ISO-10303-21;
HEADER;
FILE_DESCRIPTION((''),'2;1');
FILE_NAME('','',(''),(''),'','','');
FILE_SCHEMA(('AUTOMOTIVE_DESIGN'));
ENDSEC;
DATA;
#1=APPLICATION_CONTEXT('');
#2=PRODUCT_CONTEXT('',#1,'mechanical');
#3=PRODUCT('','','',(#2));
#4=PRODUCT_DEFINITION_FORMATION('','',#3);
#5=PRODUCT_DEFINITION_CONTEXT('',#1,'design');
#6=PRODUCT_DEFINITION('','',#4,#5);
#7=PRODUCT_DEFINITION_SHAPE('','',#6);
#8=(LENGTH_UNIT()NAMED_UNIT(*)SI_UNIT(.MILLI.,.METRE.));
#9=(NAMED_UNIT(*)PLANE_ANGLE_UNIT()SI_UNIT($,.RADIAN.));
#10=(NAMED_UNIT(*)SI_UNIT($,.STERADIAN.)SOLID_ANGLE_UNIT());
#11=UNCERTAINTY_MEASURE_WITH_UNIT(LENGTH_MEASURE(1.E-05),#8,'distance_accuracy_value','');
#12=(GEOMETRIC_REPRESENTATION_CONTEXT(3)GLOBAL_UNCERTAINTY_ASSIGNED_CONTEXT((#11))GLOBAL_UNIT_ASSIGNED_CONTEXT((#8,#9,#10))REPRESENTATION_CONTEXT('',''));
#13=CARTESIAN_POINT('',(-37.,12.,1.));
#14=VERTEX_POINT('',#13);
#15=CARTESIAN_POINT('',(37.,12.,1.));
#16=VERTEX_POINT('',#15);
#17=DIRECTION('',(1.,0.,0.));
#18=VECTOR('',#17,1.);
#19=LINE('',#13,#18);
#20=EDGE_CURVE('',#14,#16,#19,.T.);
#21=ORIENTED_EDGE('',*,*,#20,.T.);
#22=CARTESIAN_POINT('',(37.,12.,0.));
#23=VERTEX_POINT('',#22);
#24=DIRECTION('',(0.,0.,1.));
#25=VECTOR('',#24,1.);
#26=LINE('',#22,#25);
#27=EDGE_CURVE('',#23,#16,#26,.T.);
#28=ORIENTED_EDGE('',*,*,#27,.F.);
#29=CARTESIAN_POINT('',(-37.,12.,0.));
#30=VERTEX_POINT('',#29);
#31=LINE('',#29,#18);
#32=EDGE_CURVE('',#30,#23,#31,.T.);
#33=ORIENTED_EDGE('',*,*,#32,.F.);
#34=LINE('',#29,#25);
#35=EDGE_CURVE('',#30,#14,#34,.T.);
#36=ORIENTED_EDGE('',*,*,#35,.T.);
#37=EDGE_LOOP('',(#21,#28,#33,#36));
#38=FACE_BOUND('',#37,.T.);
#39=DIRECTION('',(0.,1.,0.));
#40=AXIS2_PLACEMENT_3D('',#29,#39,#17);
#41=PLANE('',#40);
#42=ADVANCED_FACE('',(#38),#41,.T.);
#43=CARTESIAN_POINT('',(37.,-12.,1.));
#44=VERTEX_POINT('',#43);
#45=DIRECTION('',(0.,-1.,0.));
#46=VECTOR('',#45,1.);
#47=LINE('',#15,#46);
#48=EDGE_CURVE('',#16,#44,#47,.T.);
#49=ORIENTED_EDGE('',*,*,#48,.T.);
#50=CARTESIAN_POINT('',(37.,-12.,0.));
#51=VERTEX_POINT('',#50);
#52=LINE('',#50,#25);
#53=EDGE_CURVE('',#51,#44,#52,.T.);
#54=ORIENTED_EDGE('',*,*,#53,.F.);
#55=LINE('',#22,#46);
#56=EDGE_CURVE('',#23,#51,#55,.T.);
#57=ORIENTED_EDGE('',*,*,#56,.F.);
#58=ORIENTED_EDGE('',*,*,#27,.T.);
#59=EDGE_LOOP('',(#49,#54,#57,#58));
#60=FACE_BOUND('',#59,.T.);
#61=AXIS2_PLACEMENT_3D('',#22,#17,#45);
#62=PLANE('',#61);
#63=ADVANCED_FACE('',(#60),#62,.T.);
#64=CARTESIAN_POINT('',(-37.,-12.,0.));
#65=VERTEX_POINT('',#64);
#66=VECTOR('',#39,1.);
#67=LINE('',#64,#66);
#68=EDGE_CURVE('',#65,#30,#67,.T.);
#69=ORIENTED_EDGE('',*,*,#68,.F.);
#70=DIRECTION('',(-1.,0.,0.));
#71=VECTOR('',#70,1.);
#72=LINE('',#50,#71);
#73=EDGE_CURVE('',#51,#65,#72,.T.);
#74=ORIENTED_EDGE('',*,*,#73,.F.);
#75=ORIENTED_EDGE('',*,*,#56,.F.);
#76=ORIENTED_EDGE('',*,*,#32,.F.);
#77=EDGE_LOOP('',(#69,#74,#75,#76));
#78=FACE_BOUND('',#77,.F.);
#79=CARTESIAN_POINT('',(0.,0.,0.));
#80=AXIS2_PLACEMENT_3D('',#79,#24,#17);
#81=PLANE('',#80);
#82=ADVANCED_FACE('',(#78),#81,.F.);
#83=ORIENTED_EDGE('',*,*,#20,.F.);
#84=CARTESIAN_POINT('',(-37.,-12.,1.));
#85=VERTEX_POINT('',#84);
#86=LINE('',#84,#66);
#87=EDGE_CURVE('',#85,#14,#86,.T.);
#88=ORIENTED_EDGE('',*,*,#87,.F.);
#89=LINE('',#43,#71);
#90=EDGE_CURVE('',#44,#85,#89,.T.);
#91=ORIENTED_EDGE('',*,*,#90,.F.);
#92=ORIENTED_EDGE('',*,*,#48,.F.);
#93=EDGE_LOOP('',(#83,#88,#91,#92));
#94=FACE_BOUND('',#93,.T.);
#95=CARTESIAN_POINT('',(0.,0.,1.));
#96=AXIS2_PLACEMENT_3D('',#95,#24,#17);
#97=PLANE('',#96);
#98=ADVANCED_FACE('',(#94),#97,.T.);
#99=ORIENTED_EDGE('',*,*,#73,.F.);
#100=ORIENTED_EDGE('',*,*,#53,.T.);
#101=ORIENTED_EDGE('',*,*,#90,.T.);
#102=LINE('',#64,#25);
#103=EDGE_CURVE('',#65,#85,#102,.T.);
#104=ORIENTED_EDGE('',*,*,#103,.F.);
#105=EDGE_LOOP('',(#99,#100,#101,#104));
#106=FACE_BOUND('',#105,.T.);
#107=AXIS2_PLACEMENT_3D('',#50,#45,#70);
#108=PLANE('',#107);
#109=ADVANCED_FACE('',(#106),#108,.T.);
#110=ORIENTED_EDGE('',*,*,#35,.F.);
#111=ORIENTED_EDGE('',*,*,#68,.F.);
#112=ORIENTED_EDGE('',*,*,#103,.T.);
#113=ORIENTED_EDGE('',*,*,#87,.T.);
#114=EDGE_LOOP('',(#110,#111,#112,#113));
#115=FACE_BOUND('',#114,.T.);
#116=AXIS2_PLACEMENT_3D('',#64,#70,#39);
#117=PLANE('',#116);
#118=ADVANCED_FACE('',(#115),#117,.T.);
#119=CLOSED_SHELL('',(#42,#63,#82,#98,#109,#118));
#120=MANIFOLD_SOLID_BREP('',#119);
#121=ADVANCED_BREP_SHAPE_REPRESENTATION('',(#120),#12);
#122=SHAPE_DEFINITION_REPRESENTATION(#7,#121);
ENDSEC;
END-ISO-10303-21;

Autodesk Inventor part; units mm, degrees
ref_plane "YZ Plane" through (0, 0, 0) normal (1, 0, 0) x (0, 1, 0)
ref_plane "XZ Plane" through (0, 0, 0) normal (0, 1, 0) x (-1, 0, 0)
ref_plane "XY Plane" through (0, 0, 0) normal (0, 0, 1) x (1, 0, 0)
sketch "Skizze1" plane through (0, 0, 0) normal (0, 0, 1) x (1, 0, 0)
  line L0 (-37, 12) -> (37, 12)
  line L1 (37, 12) -> (37, -12)
  line L2 (37, -12) -> (-37, -12)
  line L3 (-37, -12) -> (-37, 12)
  line L4 (-37, 12) -> (37, -12) construction
  line L5 (37, 12) -> (-37, -12) construction
  line L6 (-37, 12) -> (37, 12) construction
  point P0 (0, 0)
  dimension "d0" = 74
  dimension "d1" = 0
  dimension "d2" = 24
extrude "Extrusion1" add sketch "Skizze1" along normal blind 1
properties part number "00_Sample"
